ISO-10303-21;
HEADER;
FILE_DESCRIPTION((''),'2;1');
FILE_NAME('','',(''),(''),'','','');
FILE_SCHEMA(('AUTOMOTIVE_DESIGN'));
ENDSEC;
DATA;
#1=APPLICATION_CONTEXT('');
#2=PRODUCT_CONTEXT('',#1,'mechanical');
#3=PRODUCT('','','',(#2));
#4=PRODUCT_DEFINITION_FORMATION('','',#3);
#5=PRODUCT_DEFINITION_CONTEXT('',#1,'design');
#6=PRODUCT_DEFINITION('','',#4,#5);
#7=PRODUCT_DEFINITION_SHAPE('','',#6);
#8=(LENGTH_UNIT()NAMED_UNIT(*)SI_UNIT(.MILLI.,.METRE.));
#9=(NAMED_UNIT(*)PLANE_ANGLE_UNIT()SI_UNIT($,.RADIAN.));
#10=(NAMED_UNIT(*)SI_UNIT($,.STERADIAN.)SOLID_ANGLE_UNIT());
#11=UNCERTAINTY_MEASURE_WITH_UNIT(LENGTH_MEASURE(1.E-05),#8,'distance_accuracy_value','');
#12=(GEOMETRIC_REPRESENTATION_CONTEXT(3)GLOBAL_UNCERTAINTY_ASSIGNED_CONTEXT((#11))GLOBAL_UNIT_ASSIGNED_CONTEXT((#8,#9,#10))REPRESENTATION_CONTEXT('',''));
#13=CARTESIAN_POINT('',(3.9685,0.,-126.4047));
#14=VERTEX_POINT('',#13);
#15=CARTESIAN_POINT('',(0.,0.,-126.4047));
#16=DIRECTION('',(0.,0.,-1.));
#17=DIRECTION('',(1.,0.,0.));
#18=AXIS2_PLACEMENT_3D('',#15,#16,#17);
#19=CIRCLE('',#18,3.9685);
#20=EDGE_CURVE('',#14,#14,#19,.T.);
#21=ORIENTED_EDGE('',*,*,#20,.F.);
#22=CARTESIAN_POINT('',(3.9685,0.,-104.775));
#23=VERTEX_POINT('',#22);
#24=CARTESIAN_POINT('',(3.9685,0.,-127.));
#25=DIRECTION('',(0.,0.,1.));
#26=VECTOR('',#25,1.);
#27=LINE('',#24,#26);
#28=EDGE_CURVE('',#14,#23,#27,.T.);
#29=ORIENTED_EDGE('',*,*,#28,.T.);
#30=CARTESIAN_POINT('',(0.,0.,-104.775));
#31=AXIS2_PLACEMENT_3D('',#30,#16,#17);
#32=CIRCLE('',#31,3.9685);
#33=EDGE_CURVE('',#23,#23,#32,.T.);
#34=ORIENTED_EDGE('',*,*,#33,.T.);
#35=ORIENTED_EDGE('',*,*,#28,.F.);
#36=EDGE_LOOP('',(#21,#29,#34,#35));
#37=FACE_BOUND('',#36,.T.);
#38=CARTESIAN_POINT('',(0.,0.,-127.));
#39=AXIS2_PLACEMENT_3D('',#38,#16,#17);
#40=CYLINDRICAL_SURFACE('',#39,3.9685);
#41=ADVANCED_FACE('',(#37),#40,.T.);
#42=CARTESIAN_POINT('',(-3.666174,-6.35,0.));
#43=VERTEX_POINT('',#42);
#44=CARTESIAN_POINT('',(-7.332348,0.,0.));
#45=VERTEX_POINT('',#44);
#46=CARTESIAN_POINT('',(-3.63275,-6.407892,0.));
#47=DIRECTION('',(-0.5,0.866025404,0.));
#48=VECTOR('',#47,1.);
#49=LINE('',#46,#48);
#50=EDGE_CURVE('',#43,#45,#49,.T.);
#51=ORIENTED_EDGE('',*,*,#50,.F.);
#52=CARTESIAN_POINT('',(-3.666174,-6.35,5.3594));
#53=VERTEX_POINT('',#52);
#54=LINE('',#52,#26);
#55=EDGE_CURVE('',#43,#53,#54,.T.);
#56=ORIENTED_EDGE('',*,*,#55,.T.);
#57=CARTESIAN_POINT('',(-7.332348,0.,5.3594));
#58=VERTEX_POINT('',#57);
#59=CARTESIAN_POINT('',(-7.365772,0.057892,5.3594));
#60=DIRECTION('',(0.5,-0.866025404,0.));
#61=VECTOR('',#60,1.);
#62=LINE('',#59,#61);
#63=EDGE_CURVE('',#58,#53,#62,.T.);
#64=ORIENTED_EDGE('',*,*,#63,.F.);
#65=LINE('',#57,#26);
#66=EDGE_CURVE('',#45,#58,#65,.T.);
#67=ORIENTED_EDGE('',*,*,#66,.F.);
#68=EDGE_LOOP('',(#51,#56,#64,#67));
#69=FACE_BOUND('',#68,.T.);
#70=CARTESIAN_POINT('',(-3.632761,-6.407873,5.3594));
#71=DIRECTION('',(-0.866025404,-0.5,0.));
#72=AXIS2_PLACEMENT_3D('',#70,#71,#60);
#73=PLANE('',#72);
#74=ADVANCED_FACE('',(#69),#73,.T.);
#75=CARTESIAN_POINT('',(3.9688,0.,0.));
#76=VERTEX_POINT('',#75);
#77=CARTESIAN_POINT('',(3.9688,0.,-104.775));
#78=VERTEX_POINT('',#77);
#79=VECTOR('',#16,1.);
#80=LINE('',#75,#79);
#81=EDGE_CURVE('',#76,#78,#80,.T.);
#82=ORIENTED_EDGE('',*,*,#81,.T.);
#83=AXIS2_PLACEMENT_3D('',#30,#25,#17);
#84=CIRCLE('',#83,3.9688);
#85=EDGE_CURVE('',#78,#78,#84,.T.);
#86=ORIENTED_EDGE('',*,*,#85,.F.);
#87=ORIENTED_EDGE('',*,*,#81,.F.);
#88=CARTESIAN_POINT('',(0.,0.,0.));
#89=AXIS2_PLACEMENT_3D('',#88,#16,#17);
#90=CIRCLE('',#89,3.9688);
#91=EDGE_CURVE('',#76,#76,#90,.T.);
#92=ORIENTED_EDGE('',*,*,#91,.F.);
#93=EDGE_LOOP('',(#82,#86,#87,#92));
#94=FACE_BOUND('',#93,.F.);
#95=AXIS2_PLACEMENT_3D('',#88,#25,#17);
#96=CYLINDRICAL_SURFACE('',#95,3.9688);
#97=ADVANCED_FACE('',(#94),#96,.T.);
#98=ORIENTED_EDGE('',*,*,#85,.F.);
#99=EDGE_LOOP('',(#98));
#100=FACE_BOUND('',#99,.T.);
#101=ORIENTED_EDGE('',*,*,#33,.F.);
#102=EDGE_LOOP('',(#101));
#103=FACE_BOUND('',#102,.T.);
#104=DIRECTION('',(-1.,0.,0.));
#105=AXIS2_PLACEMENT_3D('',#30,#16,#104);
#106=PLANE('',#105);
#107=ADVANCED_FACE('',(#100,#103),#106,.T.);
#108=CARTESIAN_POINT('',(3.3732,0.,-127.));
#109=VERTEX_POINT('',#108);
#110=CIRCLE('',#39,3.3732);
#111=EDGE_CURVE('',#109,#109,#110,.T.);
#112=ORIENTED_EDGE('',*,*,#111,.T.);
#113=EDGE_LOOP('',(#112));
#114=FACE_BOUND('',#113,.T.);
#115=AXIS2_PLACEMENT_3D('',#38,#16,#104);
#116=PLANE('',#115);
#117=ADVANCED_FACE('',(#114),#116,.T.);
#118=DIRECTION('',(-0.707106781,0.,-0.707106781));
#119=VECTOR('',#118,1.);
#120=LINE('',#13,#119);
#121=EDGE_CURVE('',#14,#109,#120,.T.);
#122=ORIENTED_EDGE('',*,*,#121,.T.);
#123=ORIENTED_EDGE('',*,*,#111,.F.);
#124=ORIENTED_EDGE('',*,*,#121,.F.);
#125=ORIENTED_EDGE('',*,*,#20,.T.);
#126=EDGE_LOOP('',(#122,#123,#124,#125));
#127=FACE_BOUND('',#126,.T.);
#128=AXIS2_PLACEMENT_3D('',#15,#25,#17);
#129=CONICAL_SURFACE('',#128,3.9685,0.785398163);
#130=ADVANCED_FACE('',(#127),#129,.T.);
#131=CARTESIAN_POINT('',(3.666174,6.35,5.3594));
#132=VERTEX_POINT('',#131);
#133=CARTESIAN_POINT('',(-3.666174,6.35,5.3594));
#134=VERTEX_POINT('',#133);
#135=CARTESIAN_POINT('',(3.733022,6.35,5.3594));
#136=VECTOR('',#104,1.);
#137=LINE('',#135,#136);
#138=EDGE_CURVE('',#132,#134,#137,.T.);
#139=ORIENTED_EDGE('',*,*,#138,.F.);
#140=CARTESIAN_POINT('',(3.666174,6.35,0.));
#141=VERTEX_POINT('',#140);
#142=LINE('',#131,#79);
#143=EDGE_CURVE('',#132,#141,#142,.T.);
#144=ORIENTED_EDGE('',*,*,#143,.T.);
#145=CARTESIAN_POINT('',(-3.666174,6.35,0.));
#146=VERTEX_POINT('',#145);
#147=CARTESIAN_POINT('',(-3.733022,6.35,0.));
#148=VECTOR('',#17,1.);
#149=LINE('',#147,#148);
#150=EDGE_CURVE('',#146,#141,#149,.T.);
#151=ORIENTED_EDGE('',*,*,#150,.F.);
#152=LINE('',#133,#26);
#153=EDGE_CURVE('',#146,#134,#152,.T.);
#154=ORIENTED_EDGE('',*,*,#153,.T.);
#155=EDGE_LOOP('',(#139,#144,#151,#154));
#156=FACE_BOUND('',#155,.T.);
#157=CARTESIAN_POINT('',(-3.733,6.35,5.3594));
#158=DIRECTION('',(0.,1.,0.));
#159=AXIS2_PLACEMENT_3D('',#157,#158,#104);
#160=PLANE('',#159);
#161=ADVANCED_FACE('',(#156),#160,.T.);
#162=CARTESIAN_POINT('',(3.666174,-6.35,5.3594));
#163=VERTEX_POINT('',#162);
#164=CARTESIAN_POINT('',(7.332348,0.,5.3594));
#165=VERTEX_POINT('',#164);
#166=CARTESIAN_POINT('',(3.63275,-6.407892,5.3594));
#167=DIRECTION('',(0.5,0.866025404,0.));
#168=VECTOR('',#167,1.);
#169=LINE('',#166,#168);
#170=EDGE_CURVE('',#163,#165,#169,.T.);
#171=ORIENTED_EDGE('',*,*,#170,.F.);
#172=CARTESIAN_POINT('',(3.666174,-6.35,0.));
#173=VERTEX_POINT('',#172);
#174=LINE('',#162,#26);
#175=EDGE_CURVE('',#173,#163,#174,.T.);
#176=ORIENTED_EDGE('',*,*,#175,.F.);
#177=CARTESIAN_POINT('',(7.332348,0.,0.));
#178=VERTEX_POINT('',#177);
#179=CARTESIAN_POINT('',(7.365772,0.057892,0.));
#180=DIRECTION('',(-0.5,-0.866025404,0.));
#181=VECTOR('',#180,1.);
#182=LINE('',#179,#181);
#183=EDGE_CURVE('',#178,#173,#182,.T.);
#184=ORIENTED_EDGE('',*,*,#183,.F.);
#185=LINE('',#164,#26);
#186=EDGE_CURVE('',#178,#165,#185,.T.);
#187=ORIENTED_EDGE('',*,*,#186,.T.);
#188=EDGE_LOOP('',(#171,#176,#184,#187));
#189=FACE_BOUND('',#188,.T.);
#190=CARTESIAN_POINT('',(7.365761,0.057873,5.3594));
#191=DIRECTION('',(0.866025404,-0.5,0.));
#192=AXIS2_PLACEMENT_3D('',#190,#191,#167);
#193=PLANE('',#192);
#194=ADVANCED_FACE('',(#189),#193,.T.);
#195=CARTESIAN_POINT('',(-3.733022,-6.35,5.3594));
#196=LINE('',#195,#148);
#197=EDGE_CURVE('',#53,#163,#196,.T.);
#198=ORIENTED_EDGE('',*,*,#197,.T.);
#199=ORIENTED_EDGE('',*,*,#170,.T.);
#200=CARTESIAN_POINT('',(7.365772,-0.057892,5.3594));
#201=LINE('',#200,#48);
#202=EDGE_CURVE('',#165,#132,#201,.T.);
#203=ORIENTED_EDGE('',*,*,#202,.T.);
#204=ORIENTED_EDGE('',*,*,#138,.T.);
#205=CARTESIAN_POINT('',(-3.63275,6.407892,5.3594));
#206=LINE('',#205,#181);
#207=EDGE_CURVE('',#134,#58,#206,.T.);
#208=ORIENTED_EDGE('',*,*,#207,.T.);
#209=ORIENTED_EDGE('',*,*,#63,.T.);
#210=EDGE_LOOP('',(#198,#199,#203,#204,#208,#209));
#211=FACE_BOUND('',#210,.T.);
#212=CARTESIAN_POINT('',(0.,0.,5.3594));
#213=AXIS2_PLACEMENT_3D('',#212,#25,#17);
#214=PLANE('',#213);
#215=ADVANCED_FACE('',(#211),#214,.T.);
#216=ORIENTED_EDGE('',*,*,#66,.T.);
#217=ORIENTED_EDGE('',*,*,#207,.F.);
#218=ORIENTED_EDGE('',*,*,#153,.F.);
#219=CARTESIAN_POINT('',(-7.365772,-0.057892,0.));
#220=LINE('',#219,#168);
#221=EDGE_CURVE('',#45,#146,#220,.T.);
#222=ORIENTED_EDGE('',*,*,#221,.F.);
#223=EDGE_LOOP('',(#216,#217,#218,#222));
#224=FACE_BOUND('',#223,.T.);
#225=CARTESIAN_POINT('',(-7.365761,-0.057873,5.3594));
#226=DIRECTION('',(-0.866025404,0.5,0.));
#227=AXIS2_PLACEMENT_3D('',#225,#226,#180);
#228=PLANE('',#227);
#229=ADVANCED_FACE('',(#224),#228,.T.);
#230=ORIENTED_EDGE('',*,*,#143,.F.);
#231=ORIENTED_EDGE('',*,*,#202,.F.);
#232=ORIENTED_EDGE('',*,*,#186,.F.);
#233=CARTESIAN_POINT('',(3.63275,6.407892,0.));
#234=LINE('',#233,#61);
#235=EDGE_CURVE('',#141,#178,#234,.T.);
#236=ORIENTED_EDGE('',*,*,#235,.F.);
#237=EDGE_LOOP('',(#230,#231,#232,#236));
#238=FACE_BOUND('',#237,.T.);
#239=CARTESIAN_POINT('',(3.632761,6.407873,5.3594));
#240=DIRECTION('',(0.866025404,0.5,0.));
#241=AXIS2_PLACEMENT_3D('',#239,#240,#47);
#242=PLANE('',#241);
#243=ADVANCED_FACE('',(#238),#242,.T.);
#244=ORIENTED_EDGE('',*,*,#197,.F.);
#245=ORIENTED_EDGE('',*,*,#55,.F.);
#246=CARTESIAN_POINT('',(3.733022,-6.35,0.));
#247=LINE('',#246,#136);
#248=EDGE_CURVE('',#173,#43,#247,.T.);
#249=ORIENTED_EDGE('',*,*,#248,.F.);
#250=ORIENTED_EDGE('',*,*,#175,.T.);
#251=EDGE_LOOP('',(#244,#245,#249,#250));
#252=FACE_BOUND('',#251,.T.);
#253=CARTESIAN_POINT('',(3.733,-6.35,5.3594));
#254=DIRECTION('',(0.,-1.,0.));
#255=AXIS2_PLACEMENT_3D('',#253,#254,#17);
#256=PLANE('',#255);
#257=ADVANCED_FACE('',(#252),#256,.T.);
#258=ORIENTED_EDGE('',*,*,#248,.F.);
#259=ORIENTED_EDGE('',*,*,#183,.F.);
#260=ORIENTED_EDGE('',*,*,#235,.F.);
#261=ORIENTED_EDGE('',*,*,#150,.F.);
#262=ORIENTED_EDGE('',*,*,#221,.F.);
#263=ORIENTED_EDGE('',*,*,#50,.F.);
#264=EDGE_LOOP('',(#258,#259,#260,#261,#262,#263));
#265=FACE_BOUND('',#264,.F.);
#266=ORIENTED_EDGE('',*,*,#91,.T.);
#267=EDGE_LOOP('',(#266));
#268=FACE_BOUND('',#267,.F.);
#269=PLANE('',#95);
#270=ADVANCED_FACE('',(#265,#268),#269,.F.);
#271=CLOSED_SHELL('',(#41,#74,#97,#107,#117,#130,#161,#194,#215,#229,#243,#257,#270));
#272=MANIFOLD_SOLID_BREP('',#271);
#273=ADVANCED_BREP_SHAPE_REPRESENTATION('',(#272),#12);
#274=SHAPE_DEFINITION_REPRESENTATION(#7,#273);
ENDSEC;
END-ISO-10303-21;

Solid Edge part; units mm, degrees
sketch "Sketch1" plane through (0, 0, 0) normal (0, 0, 1) x (1, 0, 0)
  circle A0 centre (0, 0) radius 7.366
  dimension "D1" = 14.732
extrude "Protrusion1" add sketch "Sketch1" along normal blind 5.3594
sketch "Sketch2" plane through (0, 0, 0) normal (0, 0, -1) x (1, 0, 0)
  circle A0 centre (0, 0) radius 3.9688
extrude "Protrusion2" add sketch "Sketch2" along normal blind 127
sketch "Sketch3" plane through (0, 0, -127) normal (0, 0, -1) x (1, 0, 0)
  circle A0 centre (0, 0) radius 3.9685
extrude "Cutout1" cut sketch "Sketch3" against normal blind 22.225 flip side to cut
chamfer "Chamfer_1" distance 0.5953 angle 45 1 edges at (-3.9685, 0, -127)
sketch "Sketch4" plane through (0, 0, 5.3594) normal (0, 0, 1) x (1, 0, 0)
  line L0 (-3.733, 6.35) -> (3.733, 6.35)
  dimension "D1" = 12.7
extrude "Cutout2" cut sketch "Sketch4" against normal up to next material side at (0, 6.4, 5.3594)
pattern_circular "Pattern1" count 6 over 360 about axis through (0, 0, 5.3594) along (0, 0, 1) of "Cutout2"
properties part number "184810"
